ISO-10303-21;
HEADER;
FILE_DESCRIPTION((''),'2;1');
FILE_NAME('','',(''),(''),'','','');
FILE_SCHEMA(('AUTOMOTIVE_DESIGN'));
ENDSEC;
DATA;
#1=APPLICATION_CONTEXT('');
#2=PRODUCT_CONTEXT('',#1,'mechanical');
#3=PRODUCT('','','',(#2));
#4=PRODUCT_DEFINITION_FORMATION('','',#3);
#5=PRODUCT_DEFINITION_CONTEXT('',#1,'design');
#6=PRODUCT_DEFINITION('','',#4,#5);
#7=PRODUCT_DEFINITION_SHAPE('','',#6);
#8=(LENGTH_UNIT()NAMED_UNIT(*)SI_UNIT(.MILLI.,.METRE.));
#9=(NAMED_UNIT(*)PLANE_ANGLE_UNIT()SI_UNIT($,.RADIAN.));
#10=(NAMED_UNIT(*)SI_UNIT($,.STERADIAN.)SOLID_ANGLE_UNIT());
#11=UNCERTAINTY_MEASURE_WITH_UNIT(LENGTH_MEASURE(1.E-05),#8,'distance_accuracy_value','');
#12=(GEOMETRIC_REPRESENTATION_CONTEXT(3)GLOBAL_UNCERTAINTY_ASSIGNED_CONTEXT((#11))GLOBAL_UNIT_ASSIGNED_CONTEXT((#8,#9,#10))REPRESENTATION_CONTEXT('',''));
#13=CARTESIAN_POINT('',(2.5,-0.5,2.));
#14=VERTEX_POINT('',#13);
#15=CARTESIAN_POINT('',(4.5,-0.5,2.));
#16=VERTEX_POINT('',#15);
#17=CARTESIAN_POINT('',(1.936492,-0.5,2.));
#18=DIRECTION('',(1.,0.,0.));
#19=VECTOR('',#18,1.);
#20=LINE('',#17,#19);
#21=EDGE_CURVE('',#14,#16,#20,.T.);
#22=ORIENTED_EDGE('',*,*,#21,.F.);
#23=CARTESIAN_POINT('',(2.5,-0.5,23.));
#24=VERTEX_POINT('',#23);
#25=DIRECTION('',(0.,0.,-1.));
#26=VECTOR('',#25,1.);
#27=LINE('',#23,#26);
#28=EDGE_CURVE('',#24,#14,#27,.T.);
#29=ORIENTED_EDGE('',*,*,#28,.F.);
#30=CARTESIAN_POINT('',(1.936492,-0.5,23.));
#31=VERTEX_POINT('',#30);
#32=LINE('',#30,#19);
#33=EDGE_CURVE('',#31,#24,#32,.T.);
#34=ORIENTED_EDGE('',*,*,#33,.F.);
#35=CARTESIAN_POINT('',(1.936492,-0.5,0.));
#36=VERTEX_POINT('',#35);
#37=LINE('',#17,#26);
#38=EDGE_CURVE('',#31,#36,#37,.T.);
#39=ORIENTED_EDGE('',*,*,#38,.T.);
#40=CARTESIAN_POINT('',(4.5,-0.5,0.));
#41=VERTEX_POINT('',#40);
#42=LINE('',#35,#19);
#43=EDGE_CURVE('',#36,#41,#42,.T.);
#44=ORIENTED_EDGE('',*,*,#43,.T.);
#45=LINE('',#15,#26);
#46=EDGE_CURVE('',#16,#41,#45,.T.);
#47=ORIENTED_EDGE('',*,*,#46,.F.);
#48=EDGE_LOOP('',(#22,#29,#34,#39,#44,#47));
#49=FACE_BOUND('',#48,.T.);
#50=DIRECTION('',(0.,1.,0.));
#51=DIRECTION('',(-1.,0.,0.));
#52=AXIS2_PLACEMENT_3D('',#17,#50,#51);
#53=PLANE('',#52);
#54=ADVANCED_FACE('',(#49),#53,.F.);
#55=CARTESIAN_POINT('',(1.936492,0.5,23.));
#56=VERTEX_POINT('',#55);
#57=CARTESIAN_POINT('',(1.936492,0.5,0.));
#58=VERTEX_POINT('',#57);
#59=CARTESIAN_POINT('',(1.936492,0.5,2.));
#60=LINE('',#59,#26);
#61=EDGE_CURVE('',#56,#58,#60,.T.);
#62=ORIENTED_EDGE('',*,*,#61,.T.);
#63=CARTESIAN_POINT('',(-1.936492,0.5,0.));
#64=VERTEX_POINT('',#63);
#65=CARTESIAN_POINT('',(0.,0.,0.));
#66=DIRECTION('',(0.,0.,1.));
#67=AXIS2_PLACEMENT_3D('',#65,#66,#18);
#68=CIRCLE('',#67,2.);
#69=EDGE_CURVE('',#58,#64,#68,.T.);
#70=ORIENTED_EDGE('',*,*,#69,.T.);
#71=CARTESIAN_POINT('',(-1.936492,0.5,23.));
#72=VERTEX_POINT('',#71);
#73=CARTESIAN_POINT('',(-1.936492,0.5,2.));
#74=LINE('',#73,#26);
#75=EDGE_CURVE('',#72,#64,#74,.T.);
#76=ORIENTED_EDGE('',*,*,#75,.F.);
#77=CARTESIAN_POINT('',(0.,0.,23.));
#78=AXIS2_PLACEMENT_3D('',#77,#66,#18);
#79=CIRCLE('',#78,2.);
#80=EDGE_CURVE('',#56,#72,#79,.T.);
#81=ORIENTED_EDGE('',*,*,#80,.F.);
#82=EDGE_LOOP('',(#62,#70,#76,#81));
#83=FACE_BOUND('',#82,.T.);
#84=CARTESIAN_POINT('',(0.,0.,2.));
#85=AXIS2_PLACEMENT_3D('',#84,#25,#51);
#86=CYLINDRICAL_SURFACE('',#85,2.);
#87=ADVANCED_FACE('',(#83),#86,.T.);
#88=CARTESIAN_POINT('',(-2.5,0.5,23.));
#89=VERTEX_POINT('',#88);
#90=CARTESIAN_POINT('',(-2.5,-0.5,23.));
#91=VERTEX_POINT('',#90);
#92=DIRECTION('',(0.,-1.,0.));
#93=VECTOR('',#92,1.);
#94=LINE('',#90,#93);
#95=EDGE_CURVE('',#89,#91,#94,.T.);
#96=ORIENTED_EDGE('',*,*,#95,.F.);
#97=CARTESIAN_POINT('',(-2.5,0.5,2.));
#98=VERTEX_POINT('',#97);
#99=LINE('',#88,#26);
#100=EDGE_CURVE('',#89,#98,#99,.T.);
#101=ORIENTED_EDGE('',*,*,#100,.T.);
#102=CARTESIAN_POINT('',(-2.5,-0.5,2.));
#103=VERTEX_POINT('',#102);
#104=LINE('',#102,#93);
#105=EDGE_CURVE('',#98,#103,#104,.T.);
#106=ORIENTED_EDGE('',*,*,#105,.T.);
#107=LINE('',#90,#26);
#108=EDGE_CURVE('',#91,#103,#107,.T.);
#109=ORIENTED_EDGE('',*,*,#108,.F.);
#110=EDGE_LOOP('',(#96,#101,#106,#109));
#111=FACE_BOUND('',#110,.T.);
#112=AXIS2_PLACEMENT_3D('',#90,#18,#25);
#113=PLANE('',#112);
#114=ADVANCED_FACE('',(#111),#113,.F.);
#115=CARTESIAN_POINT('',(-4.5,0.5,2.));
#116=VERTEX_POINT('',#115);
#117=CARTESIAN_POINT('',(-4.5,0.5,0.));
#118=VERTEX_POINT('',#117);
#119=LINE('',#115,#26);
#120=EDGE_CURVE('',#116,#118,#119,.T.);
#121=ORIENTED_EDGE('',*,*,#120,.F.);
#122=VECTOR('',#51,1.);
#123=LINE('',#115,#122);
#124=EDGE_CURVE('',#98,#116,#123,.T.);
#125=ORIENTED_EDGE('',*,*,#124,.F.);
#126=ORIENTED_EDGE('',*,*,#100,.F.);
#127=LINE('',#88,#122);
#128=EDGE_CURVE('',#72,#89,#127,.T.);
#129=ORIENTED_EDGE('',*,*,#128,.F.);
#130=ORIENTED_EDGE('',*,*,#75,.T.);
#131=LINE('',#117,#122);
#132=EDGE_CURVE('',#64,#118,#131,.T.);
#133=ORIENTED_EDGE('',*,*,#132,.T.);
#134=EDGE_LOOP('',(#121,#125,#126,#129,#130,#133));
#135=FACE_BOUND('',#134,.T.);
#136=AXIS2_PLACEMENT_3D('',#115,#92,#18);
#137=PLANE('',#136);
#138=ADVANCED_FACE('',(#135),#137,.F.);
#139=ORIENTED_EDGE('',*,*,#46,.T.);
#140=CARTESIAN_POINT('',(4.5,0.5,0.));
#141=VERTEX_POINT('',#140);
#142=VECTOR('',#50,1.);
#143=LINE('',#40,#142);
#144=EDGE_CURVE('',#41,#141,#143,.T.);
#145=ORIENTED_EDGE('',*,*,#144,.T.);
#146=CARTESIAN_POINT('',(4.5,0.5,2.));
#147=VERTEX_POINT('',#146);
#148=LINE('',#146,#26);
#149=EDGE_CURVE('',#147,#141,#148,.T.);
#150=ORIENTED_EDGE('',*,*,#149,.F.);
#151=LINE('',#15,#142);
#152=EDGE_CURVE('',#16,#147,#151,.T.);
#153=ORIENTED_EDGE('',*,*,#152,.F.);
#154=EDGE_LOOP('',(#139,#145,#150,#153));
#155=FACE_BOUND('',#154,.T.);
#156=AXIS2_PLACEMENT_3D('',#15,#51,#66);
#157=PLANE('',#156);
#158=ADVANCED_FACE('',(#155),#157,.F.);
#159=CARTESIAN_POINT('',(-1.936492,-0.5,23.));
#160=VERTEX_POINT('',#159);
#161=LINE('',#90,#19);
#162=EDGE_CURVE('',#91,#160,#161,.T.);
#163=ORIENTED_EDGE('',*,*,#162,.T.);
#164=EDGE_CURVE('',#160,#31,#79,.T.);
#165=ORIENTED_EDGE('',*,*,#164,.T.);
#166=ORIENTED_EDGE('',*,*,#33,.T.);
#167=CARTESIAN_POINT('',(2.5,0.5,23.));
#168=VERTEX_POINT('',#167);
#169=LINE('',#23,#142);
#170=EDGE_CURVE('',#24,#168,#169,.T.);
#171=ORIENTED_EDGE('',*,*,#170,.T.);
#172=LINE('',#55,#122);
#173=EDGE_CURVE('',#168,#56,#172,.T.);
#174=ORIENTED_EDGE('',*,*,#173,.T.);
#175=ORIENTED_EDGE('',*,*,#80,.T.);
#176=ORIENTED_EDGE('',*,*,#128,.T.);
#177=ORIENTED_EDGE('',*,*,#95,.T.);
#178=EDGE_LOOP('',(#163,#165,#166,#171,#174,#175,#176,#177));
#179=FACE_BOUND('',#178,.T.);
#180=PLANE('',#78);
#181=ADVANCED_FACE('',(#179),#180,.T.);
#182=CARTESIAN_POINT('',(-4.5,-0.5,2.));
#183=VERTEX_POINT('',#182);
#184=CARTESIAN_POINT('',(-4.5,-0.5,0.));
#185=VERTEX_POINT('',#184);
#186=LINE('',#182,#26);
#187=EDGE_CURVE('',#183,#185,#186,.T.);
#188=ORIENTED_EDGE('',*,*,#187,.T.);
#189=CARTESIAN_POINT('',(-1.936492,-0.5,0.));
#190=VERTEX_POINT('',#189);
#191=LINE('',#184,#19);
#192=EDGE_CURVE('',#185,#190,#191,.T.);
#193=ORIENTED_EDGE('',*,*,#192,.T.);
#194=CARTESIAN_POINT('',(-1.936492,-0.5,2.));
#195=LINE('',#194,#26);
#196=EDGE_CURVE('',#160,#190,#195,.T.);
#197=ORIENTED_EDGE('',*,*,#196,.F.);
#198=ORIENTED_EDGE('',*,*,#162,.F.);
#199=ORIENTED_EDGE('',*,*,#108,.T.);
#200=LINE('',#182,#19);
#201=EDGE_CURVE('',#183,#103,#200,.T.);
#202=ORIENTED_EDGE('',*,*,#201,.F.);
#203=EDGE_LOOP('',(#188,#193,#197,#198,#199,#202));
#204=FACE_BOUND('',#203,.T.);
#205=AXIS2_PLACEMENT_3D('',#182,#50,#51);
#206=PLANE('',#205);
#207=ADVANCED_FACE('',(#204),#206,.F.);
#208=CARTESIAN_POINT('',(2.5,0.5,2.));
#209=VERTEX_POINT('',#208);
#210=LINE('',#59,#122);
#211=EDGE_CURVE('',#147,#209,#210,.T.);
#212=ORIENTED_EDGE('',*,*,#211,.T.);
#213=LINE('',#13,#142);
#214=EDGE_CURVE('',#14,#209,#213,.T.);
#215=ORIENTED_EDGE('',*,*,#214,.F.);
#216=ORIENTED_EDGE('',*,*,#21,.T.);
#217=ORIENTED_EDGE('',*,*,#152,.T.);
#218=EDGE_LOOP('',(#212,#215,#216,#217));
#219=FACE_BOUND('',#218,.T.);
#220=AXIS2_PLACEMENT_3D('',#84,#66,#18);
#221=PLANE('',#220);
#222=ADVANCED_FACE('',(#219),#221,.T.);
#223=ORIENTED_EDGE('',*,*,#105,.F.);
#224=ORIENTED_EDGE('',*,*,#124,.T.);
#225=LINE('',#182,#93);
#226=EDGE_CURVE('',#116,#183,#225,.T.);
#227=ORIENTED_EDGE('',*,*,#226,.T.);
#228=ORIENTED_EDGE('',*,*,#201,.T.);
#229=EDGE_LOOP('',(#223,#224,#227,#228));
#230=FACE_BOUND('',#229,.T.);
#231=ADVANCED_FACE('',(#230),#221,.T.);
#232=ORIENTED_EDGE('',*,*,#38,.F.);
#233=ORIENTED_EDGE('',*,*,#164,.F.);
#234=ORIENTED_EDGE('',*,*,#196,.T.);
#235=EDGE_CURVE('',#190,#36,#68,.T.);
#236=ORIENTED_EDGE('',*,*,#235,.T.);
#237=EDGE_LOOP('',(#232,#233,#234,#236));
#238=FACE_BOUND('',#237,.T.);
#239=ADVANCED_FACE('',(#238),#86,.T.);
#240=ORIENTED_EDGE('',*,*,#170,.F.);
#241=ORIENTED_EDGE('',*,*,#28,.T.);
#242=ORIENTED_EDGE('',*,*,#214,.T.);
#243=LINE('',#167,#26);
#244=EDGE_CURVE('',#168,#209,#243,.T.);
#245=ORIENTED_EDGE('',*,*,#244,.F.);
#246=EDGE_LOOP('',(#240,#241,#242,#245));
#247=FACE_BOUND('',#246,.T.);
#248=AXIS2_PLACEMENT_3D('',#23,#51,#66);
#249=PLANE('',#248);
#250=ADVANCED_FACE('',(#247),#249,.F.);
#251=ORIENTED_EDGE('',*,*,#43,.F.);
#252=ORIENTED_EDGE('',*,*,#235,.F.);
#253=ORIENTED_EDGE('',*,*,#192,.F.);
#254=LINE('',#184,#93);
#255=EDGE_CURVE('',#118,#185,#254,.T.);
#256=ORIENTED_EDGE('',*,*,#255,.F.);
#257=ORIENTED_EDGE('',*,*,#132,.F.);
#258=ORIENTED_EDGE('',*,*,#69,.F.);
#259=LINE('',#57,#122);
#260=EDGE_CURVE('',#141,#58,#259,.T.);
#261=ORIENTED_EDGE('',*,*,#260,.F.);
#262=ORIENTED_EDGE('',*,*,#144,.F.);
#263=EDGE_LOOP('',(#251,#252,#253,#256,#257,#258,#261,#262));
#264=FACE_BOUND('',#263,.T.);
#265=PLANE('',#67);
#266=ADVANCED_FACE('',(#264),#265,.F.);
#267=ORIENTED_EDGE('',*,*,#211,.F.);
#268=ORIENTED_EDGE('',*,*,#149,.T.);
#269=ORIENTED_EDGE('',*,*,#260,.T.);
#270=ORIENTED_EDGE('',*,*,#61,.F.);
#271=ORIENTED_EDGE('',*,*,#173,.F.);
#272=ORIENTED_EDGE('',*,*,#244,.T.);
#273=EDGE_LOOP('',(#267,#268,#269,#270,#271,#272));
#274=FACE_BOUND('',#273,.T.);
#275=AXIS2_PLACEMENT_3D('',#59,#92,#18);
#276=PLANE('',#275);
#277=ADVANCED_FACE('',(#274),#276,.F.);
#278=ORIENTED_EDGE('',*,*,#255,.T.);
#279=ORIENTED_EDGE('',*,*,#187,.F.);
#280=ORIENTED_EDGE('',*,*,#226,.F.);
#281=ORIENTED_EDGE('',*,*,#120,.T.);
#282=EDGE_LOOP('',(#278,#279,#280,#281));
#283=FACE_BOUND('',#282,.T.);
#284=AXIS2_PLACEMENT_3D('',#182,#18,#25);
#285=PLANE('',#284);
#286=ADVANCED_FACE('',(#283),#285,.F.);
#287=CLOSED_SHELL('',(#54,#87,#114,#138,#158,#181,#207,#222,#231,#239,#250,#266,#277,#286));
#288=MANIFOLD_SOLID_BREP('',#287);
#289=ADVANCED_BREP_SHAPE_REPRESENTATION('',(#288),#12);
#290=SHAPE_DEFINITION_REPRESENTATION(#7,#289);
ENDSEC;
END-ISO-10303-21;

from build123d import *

# Parameters (mm, degrees)
BOSS_EXTRUDE2_DEPTH = 2
BOSS_EXTRUDE4_DEPTH = 21
BOSS_EXTRUDE3_DEPTH = 20


with BuildPart() as part:
    # Sketch1 → Boss-Extrude2 (new body)
    with BuildSketch(Plane.XY):
        with BuildLine():
            Line((1.936491673, 0.5), (4.5, 0.5))
            Line((4.5, 0.5), (4.5, -0.5))
            Line((4.5, -0.5), (1.936491673, -0.5))
            ThreePointArc((1.936491673, -0.5), (0, -2), (-1.936491673, -0.5))
            Line((-1.936491673, -0.5), (-4.5, -0.5))
            Line((-4.5, -0.5), (-4.5, 0.5))
            Line((-4.5, 0.5), (-1.936491673, 0.5))
            ThreePointArc((-1.936491673, 0.5), (0, 2), (1.936491673, 0.5))
        make_face()
    extrude(amount=BOSS_EXTRUDE2_DEPTH)

    # Sketch2<2> → Boss-Extrude4 (add)
    with BuildSketch(Plane.XY.offset(2)):
        with BuildLine():
            Line((1.936491673, 0.5), (2.5, 0.5))
            Line((2.5, 0.5), (2.5, -0.5))
            Line((2.5, -0.5), (1.936491673, -0.5))
            ThreePointArc((1.936491673, -0.5), (0, -2), (-1.936491673, -0.5))
            Line((-1.936491673, -0.5), (-2.5, -0.5))
            Line((-2.5, -0.5), (-2.5, 0.5))
            Line((-2.5, 0.5), (-1.936491673, 0.5))
            ThreePointArc((-1.936491673, 0.5), (0, 2), (1.936491673, 0.5))
        make_face()
    extrude(amount=BOSS_EXTRUDE4_DEPTH)

    # Sketch2 → Boss-Extrude3 (add)
    with BuildSketch(Plane.XY.offset(2)):
        with BuildLine():
            Line((1.936491673, 0.5), (2.5, 0.5))
            Line((2.5, 0.5), (2.5, -0.5))
            Line((2.5, -0.5), (1.936491673, -0.5))
            ThreePointArc((1.936491673, -0.5), (0, -2), (-1.936491673, -0.5))
            Line((-1.936491673, -0.5), (-2.5, -0.5))
            Line((-2.5, -0.5), (-2.5, 0.5))
            Line((-2.5, 0.5), (-1.936491673, 0.5))
            ThreePointArc((-1.936491673, 0.5), (0, 2), (1.936491673, 0.5))
        make_face()
    extrude(amount=BOSS_EXTRUDE3_DEPTH)


solid = part.part
